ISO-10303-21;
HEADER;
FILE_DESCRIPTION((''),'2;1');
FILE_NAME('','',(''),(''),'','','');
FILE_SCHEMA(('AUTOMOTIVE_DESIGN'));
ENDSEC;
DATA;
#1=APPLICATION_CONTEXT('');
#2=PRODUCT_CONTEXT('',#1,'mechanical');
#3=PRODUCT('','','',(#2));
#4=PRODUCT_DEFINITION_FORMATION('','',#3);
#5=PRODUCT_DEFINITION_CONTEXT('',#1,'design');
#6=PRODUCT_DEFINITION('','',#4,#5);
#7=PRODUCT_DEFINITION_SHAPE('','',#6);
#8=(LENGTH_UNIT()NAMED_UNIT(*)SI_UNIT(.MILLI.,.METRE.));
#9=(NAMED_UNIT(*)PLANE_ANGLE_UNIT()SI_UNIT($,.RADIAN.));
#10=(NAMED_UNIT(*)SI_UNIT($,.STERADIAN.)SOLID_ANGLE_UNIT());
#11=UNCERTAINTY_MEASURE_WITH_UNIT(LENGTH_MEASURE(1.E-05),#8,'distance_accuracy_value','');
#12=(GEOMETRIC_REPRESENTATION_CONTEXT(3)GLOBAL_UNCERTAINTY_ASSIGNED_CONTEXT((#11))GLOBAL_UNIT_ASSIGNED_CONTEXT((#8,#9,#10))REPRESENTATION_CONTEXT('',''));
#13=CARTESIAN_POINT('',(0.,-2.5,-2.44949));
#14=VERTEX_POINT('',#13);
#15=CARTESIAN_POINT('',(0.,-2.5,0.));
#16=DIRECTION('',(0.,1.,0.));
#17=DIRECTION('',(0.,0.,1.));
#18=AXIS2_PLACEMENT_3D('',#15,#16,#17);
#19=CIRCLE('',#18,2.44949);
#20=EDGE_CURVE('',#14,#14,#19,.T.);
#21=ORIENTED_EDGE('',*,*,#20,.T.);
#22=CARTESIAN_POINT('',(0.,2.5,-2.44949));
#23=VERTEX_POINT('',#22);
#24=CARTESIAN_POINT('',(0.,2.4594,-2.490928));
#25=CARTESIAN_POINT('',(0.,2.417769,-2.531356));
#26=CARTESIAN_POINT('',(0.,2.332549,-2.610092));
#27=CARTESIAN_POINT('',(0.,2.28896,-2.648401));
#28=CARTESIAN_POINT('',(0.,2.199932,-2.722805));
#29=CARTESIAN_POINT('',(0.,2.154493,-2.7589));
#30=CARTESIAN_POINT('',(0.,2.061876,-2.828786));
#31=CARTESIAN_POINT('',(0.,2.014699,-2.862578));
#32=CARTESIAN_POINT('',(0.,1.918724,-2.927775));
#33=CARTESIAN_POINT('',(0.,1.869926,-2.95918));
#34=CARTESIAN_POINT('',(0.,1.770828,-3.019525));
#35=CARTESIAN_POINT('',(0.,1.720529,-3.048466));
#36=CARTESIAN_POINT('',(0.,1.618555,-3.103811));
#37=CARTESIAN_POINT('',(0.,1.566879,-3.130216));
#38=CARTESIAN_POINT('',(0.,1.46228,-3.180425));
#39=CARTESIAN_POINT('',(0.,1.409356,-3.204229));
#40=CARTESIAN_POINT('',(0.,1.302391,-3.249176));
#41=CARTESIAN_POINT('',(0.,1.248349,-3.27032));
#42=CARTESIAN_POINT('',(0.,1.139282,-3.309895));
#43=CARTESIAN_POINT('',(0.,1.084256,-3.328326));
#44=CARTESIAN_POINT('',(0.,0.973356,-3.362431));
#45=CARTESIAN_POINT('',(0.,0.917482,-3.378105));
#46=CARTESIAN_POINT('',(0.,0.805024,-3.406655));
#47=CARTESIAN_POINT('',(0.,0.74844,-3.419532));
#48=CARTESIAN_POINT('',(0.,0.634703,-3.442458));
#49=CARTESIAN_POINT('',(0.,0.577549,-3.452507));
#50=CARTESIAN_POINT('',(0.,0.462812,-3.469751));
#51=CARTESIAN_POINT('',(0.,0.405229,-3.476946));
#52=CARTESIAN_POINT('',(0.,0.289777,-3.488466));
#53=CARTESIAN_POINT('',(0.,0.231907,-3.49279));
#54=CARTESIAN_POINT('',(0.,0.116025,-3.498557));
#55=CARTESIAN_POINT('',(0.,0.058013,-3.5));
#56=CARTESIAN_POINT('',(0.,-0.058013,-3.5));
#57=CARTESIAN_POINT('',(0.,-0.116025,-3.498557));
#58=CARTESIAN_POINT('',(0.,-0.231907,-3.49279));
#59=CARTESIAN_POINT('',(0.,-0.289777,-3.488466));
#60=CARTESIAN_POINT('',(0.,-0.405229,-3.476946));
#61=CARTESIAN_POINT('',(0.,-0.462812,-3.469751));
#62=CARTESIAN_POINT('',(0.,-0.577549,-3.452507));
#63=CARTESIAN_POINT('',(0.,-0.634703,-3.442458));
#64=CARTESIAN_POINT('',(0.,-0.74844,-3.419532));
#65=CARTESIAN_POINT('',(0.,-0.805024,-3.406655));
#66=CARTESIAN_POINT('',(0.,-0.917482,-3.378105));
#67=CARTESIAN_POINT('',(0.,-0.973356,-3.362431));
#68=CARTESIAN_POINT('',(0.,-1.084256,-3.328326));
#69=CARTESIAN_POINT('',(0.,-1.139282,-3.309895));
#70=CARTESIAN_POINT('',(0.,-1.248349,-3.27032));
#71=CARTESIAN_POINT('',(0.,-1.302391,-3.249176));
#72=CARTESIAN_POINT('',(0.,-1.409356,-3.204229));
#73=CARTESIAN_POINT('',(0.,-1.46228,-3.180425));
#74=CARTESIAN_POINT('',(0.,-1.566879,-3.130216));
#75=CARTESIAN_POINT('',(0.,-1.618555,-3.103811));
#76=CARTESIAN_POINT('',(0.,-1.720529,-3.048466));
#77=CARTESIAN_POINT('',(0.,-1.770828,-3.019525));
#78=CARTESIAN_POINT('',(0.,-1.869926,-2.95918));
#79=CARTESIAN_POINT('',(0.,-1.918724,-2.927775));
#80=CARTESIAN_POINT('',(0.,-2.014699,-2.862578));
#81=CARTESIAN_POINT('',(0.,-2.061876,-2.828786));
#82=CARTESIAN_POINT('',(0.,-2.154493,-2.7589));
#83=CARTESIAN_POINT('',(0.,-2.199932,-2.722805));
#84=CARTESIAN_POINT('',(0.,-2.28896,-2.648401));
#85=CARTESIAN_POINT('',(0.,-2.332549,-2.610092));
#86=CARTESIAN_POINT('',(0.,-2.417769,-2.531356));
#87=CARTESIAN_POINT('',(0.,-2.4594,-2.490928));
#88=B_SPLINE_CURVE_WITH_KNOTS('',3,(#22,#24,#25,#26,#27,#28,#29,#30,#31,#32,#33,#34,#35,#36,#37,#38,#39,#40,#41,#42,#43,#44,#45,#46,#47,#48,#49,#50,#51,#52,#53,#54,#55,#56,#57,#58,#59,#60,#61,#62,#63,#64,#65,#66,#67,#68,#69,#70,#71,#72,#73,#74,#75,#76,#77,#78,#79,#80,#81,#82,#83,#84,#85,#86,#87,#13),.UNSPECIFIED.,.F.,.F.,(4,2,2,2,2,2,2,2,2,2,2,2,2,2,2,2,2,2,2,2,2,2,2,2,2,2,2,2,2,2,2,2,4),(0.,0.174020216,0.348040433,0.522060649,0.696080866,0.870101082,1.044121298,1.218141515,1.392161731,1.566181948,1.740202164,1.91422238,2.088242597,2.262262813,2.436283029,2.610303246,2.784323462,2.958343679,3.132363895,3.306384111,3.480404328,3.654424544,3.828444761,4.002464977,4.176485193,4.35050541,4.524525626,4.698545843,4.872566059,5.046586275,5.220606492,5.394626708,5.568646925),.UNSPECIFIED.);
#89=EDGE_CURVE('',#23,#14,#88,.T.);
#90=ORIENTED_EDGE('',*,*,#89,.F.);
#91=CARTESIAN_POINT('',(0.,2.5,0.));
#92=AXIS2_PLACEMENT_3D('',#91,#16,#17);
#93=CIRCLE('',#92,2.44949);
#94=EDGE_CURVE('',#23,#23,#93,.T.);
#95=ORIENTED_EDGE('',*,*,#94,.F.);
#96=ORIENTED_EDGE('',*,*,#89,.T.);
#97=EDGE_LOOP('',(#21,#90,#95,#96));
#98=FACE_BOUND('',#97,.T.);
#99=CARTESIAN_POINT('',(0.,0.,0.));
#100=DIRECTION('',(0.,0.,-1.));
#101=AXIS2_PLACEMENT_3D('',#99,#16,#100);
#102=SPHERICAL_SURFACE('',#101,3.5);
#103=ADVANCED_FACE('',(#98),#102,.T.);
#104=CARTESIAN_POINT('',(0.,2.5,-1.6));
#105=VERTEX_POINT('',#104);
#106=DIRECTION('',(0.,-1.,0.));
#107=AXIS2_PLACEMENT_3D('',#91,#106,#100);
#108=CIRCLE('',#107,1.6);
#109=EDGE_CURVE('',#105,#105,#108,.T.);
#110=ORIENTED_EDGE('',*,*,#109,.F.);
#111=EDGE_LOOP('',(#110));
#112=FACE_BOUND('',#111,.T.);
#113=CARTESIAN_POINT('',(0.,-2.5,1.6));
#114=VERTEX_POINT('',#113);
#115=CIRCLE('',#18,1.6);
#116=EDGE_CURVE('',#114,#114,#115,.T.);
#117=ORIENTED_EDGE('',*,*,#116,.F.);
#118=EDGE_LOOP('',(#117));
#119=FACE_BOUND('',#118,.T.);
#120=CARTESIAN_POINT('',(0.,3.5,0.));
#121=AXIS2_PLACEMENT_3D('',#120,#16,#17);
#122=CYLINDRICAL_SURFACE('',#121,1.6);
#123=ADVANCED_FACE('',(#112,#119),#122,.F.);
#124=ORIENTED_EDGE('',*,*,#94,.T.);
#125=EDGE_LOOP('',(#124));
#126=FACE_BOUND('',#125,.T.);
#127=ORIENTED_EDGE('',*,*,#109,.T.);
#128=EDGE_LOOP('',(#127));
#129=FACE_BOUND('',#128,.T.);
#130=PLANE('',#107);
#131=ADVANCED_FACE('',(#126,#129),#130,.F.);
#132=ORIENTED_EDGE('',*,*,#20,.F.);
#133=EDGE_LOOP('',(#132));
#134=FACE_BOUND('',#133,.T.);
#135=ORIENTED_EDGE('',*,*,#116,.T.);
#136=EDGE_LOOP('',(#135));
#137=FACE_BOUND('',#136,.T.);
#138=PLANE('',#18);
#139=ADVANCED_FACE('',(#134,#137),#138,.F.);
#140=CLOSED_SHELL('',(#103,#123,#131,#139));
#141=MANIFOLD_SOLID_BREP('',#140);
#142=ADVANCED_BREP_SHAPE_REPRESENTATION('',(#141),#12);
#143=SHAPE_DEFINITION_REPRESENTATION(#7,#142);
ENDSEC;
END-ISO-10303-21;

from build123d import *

# Parameters (mm, degrees)
M3_CLEARANCE_HOLE1_D     = 3.2
M3_CLEARANCE_HOLE1_DEPTH = 7.5
M3_CLEARANCE_HOLE1_TIP   = 0.96137699


with BuildPart() as part:
    # Sketch1 → Revolve1 (revolve)
    with BuildSketch(Plane(origin=(0, 0, 0), x_dir=(0, 0, -1), z_dir=(1, 0, 0))):
        with BuildLine():
            Line((0, 2.5), (0, -2.5))
            Line((0, -2.5), (2.449489743, -2.5))
            ThreePointArc((2.449489743, -2.5), (3.5, 0), (2.449489743, 2.5))
            Line((2.449489743, 2.5), (0, 2.5))
        make_face()
    revolve(axis=Axis((0, 2.5, 0), (0, -1, 0)))

    # M3 Clearance Hole1
    with Locations(Plane.ZX.offset(3.5)):
        with Locations((0, 0)):
            Hole(M3_CLEARANCE_HOLE1_D / 2, depth=M3_CLEARANCE_HOLE1_DEPTH)
            with Locations((0, 0, -(M3_CLEARANCE_HOLE1_DEPTH + M3_CLEARANCE_HOLE1_TIP / 2))):  # 118° drill point
                Cone(0, M3_CLEARANCE_HOLE1_D / 2, M3_CLEARANCE_HOLE1_TIP, mode=Mode.SUBTRACT)


solid = part.part
